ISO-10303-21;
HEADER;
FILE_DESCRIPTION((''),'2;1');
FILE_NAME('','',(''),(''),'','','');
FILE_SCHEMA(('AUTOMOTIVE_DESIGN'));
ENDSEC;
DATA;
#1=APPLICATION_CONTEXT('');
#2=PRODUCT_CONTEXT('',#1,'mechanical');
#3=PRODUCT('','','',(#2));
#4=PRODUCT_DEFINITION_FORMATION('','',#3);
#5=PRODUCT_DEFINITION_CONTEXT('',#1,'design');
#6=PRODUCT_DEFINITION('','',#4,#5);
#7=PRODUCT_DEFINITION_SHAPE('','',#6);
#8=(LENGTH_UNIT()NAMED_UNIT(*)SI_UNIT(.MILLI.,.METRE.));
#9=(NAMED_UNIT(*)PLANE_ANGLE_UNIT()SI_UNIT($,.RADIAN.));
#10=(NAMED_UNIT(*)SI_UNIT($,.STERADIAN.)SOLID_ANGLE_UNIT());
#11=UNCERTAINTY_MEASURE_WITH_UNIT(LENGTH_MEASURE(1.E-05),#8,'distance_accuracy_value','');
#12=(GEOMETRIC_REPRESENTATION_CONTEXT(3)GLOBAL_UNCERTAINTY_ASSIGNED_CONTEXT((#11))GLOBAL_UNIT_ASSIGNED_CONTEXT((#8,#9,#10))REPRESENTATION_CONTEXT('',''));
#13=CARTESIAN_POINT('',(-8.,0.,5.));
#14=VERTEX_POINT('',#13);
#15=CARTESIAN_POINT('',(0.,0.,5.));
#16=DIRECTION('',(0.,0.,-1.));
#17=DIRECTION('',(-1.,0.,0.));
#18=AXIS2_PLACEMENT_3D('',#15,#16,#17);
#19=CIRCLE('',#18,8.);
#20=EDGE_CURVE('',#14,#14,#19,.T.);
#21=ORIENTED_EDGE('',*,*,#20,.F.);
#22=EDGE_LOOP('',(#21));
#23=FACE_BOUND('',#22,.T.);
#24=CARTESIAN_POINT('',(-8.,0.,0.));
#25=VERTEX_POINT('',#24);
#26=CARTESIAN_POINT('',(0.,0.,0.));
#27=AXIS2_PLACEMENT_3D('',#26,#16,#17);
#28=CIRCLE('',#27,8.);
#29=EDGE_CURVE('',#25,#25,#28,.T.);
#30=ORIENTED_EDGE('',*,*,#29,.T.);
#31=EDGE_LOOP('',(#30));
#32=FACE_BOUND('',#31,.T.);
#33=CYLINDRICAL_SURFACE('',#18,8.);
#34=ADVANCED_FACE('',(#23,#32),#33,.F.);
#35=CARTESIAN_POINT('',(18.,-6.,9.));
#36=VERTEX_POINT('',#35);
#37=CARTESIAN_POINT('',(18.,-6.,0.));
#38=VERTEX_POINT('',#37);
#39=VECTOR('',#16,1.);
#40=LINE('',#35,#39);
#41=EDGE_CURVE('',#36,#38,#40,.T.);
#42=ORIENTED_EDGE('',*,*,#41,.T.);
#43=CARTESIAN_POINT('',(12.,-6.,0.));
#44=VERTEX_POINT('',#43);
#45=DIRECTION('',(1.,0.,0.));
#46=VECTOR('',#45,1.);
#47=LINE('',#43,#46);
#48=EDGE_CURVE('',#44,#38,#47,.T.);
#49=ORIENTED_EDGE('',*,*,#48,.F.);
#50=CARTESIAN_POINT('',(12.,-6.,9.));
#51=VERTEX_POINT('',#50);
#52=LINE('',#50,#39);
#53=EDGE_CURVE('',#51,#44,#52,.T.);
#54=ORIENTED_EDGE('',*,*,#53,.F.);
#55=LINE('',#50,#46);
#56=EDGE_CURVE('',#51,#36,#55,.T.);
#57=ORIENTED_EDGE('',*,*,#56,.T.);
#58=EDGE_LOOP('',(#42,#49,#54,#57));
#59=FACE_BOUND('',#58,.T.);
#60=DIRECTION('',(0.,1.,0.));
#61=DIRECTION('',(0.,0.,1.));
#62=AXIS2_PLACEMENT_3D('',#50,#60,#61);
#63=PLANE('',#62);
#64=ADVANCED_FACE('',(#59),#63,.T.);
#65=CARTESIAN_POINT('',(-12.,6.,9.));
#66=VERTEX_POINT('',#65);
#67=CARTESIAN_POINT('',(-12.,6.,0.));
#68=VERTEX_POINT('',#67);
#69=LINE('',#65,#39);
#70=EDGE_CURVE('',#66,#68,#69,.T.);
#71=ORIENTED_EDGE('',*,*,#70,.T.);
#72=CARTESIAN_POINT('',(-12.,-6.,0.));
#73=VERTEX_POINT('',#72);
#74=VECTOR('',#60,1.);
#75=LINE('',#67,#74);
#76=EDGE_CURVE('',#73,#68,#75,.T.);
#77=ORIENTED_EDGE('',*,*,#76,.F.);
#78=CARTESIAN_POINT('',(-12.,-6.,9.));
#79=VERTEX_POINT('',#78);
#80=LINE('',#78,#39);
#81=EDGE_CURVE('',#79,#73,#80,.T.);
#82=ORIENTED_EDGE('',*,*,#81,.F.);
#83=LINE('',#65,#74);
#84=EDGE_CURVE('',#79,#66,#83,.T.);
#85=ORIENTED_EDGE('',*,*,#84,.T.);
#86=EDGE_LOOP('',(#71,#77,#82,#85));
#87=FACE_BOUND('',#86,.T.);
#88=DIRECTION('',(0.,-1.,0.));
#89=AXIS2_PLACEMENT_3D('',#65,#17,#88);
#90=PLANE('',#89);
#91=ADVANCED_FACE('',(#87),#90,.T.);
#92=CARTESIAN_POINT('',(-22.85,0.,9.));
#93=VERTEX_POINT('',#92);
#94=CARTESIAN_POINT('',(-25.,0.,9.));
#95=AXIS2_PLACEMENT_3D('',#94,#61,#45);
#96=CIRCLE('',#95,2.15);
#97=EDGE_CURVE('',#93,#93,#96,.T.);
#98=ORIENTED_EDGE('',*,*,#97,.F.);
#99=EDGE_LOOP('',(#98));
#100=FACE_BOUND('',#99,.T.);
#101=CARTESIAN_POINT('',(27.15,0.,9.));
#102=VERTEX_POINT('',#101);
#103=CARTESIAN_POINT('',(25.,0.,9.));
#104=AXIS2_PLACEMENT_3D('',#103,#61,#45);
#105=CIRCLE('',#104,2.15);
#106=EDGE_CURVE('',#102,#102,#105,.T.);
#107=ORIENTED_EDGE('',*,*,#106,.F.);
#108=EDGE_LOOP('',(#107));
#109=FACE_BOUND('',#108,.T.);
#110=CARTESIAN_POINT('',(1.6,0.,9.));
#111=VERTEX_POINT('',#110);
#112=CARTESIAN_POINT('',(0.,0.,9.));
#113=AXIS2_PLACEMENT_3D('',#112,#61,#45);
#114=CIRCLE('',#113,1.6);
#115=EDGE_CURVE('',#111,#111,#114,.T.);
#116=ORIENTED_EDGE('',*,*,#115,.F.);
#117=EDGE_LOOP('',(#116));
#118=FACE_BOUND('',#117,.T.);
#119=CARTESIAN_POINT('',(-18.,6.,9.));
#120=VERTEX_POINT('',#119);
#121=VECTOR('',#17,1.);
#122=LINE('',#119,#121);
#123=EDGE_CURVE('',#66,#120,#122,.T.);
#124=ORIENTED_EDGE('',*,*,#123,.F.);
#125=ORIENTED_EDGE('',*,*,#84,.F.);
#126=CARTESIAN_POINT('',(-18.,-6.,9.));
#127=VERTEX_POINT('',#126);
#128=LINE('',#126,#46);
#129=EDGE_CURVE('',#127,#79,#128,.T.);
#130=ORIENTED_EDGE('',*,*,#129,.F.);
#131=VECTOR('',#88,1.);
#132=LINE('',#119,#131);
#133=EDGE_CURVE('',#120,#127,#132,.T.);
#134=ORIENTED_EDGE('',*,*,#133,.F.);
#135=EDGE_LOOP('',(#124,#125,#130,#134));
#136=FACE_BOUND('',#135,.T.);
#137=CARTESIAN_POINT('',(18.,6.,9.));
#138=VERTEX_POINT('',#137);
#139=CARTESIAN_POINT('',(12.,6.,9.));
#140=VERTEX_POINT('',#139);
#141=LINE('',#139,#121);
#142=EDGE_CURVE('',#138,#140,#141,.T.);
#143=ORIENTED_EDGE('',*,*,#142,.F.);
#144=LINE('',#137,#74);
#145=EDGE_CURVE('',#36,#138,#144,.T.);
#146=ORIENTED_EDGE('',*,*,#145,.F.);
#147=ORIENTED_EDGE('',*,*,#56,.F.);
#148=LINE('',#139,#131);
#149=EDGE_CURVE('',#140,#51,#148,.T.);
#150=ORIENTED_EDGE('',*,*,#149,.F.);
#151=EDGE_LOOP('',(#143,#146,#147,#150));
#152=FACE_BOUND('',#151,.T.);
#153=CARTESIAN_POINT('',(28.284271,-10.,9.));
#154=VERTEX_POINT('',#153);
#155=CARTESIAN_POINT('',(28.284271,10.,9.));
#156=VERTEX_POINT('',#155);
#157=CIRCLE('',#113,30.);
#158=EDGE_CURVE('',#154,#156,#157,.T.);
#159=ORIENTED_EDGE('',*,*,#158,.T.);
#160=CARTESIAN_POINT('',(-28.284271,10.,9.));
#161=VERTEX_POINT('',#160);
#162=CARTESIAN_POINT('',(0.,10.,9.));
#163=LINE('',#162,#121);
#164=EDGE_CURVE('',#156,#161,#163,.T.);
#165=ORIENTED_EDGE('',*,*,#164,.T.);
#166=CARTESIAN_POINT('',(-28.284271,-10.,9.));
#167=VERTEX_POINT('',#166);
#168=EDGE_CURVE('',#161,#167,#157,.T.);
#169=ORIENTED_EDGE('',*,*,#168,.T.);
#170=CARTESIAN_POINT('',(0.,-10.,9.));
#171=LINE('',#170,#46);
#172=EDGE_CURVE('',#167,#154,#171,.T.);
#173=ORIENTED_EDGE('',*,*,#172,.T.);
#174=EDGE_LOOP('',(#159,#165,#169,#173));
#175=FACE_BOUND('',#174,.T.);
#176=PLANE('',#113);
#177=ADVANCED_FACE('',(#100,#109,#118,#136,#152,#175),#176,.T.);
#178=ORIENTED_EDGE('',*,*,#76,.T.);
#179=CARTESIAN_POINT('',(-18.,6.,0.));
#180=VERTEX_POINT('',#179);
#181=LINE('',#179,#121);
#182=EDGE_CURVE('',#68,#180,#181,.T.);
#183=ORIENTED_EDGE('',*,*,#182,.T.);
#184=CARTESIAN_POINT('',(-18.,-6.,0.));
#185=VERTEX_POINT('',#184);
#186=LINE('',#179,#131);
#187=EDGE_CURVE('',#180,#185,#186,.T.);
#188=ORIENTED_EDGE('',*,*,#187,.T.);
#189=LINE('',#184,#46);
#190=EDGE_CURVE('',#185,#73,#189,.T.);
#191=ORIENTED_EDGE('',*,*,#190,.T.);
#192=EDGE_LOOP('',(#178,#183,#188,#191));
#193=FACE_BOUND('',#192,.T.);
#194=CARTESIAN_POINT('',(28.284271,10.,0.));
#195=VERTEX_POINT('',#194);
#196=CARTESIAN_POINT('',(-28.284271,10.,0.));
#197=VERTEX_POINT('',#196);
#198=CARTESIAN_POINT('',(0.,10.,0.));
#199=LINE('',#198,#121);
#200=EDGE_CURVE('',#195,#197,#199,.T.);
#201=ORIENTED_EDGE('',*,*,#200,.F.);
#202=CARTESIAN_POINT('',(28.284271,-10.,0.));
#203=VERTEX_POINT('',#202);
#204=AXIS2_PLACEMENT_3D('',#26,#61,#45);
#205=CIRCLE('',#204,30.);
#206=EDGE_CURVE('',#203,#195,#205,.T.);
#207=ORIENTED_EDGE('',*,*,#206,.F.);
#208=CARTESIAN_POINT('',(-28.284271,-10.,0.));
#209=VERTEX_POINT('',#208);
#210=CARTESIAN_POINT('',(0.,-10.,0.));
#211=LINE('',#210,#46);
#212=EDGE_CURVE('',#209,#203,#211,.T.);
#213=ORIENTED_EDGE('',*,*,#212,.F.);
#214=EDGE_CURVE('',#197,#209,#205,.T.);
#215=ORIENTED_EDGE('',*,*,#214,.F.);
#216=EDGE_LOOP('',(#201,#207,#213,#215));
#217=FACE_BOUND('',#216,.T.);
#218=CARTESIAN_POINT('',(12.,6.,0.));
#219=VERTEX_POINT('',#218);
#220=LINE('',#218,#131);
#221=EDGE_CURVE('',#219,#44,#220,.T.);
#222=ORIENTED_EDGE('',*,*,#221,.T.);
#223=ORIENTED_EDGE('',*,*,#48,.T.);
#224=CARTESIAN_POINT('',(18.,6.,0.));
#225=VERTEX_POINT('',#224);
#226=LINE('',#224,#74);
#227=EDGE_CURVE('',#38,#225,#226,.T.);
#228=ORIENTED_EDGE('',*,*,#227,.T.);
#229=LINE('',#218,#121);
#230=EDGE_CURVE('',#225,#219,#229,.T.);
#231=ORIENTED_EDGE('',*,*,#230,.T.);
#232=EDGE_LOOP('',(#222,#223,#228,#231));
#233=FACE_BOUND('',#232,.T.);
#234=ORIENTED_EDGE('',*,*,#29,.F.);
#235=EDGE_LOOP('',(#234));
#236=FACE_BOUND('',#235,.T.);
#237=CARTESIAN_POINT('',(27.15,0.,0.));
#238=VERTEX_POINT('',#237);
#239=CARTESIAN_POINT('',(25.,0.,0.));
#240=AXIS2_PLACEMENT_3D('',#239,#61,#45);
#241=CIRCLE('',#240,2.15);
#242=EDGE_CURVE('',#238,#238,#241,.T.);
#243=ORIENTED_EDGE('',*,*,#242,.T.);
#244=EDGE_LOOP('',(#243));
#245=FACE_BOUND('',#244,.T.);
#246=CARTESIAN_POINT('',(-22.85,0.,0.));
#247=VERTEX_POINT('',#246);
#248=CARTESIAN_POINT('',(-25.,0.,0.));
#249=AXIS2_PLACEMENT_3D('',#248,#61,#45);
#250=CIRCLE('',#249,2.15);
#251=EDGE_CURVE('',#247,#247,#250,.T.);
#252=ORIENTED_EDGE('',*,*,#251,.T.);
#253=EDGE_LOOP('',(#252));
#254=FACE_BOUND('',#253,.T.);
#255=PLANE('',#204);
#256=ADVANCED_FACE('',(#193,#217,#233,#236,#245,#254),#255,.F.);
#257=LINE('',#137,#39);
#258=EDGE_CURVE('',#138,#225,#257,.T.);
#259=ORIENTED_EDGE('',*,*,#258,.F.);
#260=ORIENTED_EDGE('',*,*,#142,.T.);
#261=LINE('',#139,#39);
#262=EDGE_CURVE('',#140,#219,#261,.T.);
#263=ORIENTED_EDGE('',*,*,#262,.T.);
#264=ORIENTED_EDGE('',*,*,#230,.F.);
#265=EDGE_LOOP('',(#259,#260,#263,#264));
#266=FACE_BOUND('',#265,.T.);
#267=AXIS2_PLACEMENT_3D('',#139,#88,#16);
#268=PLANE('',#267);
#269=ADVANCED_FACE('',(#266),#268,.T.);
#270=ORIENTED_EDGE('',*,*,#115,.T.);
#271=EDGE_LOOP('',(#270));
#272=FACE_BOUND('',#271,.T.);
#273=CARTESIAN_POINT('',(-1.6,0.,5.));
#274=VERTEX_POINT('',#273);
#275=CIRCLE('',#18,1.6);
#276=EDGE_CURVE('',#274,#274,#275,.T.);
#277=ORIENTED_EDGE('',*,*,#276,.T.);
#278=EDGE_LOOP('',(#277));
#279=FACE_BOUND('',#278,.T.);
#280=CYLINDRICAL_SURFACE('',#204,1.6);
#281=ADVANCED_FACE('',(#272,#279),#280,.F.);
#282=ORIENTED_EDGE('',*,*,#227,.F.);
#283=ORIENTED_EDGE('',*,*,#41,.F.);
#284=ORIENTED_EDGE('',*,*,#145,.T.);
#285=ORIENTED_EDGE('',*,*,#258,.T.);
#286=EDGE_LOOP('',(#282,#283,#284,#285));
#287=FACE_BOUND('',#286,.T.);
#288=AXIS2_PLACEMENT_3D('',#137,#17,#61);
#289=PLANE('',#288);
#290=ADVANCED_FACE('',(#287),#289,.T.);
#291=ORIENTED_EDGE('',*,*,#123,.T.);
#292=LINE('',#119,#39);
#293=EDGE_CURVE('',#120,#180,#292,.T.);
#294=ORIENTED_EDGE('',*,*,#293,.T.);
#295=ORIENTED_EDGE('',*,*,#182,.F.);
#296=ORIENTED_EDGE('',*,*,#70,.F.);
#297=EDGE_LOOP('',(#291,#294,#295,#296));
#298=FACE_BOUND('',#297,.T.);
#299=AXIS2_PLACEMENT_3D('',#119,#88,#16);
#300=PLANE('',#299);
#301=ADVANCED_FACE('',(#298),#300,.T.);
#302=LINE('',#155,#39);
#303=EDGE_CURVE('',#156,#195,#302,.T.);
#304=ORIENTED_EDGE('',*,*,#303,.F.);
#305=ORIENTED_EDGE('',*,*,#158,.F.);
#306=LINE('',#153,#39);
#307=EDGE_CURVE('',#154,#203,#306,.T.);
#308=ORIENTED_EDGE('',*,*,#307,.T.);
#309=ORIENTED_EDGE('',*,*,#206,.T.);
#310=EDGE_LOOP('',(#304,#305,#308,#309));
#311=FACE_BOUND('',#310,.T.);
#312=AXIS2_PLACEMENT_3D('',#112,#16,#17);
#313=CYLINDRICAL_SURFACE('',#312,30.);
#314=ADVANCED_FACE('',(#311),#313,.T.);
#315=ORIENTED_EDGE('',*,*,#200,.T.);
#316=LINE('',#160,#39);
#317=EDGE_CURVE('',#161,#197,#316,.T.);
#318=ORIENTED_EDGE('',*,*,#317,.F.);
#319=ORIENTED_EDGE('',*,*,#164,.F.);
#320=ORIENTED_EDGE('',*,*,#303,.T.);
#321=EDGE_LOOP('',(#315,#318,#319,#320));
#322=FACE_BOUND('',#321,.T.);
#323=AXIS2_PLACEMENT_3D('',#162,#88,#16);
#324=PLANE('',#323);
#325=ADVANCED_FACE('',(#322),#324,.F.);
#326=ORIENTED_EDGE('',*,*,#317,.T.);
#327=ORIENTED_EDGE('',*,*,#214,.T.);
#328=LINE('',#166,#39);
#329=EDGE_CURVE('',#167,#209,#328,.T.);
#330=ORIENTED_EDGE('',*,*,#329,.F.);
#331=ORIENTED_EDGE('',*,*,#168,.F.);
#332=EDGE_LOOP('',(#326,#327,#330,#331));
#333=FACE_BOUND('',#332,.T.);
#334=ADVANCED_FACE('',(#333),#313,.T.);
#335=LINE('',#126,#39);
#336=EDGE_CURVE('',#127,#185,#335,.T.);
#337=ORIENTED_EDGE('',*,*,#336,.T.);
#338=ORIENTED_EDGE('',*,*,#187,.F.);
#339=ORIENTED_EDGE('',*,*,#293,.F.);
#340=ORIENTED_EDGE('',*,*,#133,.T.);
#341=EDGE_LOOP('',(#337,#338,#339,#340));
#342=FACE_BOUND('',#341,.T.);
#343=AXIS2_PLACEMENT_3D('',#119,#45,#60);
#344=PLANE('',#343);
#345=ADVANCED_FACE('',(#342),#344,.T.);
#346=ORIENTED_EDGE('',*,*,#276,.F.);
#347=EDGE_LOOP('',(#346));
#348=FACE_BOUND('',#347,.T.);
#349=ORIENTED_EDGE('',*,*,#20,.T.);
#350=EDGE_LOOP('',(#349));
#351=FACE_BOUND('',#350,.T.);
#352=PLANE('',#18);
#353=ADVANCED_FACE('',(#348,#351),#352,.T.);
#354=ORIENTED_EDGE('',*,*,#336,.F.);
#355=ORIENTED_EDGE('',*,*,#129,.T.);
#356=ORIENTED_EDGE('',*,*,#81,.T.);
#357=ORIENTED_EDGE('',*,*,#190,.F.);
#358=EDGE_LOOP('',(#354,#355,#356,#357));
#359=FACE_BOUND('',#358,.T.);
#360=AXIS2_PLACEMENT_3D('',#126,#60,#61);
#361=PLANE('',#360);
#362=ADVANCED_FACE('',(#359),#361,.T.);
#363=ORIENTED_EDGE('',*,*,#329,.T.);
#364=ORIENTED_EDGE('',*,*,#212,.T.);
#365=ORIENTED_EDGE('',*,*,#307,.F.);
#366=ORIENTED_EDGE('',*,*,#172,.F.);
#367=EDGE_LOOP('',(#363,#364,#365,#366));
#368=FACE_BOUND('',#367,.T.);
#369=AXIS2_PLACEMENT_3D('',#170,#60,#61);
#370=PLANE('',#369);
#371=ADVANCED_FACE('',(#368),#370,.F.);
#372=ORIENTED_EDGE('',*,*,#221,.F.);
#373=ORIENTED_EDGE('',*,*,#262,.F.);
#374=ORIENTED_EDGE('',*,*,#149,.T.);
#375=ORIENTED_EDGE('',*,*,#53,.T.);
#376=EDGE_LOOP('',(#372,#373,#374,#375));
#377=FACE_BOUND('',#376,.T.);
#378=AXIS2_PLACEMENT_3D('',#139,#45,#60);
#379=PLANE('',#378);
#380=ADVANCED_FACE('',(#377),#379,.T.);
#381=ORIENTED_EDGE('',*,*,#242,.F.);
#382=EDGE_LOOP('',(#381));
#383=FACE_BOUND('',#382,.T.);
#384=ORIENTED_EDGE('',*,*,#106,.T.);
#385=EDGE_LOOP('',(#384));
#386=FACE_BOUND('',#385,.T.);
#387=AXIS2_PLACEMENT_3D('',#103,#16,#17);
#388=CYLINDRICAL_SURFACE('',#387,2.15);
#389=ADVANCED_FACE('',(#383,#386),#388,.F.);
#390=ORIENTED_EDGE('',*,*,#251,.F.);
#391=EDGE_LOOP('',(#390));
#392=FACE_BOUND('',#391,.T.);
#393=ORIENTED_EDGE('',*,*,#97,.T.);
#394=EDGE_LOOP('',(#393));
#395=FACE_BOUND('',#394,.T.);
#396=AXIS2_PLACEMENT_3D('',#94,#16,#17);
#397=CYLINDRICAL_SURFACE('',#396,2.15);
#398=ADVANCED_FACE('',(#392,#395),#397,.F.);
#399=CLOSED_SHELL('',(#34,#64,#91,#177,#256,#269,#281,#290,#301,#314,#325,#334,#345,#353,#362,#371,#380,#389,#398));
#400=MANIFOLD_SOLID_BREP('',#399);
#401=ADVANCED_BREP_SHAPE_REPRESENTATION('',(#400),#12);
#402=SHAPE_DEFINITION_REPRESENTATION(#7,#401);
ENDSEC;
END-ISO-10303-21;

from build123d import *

# Parameters (mm, degrees)
ESQUISSE1_R             = 2.15
ESQUISSE1_W             = 6
ESQUISSE1_H             = 12
BOSS_EXTRU_1_DEPTH      = 9
ESQUISSE2_R             = 8
ENL_V_MAT_EXTRU_1_DEPTH = 5
ESQUISSE3_R             = 1.6
ENL_V_MAT_EXTRU_2_DEPTH = 33.878564446


with BuildPart() as part:
    # Esquisse1 → Boss.-Extru.1 (new body)
    with BuildSketch(Plane.XY):
        with BuildLine():
            Line((0, -10), (-28.284271247, -10))
            ThreePointArc((-28.284271247, -10), (-30, 0), (-28.284271247, 10))
            Line((-28.284271247, 10), (0, 10))
            Line((0, 10), (28.284271247, 10))
            ThreePointArc((28.284271247, 10), (30, 0), (28.284271247, -10))
            Line((28.284271247, -10), (0, -10))
        make_face()
        with Locations((-25, 0)):
            Circle(ESQUISSE1_R, mode=Mode.SUBTRACT)
        with Locations((25, 0)):
            Circle(ESQUISSE1_R, mode=Mode.SUBTRACT)
        with Locations((-15, 0)):
            Rectangle(ESQUISSE1_W, ESQUISSE1_H, mode=Mode.SUBTRACT)
        with Locations((15, 0)):
            Rectangle(ESQUISSE1_W, ESQUISSE1_H, mode=Mode.SUBTRACT)
    extrude(amount=BOSS_EXTRU_1_DEPTH)

    # Esquisse2 → Enlèv. mat.-Extru.1 (cut)
    with BuildSketch(Plane(origin=(0, 0, 0), x_dir=(-1, 0, 0), z_dir=(0, 0, -1))):
        Circle(ESQUISSE2_R)
    extrude(amount=-ENL_V_MAT_EXTRU_1_DEPTH, mode=Mode.SUBTRACT)

    # Esquisse3 → Enlèv. mat.-Extru.2 (cut, through all)
    with BuildSketch(Plane.XY.offset(9)):
        Circle(ESQUISSE3_R)
    extrude(amount=-ENL_V_MAT_EXTRU_2_DEPTH, mode=Mode.SUBTRACT)


solid = part.part
